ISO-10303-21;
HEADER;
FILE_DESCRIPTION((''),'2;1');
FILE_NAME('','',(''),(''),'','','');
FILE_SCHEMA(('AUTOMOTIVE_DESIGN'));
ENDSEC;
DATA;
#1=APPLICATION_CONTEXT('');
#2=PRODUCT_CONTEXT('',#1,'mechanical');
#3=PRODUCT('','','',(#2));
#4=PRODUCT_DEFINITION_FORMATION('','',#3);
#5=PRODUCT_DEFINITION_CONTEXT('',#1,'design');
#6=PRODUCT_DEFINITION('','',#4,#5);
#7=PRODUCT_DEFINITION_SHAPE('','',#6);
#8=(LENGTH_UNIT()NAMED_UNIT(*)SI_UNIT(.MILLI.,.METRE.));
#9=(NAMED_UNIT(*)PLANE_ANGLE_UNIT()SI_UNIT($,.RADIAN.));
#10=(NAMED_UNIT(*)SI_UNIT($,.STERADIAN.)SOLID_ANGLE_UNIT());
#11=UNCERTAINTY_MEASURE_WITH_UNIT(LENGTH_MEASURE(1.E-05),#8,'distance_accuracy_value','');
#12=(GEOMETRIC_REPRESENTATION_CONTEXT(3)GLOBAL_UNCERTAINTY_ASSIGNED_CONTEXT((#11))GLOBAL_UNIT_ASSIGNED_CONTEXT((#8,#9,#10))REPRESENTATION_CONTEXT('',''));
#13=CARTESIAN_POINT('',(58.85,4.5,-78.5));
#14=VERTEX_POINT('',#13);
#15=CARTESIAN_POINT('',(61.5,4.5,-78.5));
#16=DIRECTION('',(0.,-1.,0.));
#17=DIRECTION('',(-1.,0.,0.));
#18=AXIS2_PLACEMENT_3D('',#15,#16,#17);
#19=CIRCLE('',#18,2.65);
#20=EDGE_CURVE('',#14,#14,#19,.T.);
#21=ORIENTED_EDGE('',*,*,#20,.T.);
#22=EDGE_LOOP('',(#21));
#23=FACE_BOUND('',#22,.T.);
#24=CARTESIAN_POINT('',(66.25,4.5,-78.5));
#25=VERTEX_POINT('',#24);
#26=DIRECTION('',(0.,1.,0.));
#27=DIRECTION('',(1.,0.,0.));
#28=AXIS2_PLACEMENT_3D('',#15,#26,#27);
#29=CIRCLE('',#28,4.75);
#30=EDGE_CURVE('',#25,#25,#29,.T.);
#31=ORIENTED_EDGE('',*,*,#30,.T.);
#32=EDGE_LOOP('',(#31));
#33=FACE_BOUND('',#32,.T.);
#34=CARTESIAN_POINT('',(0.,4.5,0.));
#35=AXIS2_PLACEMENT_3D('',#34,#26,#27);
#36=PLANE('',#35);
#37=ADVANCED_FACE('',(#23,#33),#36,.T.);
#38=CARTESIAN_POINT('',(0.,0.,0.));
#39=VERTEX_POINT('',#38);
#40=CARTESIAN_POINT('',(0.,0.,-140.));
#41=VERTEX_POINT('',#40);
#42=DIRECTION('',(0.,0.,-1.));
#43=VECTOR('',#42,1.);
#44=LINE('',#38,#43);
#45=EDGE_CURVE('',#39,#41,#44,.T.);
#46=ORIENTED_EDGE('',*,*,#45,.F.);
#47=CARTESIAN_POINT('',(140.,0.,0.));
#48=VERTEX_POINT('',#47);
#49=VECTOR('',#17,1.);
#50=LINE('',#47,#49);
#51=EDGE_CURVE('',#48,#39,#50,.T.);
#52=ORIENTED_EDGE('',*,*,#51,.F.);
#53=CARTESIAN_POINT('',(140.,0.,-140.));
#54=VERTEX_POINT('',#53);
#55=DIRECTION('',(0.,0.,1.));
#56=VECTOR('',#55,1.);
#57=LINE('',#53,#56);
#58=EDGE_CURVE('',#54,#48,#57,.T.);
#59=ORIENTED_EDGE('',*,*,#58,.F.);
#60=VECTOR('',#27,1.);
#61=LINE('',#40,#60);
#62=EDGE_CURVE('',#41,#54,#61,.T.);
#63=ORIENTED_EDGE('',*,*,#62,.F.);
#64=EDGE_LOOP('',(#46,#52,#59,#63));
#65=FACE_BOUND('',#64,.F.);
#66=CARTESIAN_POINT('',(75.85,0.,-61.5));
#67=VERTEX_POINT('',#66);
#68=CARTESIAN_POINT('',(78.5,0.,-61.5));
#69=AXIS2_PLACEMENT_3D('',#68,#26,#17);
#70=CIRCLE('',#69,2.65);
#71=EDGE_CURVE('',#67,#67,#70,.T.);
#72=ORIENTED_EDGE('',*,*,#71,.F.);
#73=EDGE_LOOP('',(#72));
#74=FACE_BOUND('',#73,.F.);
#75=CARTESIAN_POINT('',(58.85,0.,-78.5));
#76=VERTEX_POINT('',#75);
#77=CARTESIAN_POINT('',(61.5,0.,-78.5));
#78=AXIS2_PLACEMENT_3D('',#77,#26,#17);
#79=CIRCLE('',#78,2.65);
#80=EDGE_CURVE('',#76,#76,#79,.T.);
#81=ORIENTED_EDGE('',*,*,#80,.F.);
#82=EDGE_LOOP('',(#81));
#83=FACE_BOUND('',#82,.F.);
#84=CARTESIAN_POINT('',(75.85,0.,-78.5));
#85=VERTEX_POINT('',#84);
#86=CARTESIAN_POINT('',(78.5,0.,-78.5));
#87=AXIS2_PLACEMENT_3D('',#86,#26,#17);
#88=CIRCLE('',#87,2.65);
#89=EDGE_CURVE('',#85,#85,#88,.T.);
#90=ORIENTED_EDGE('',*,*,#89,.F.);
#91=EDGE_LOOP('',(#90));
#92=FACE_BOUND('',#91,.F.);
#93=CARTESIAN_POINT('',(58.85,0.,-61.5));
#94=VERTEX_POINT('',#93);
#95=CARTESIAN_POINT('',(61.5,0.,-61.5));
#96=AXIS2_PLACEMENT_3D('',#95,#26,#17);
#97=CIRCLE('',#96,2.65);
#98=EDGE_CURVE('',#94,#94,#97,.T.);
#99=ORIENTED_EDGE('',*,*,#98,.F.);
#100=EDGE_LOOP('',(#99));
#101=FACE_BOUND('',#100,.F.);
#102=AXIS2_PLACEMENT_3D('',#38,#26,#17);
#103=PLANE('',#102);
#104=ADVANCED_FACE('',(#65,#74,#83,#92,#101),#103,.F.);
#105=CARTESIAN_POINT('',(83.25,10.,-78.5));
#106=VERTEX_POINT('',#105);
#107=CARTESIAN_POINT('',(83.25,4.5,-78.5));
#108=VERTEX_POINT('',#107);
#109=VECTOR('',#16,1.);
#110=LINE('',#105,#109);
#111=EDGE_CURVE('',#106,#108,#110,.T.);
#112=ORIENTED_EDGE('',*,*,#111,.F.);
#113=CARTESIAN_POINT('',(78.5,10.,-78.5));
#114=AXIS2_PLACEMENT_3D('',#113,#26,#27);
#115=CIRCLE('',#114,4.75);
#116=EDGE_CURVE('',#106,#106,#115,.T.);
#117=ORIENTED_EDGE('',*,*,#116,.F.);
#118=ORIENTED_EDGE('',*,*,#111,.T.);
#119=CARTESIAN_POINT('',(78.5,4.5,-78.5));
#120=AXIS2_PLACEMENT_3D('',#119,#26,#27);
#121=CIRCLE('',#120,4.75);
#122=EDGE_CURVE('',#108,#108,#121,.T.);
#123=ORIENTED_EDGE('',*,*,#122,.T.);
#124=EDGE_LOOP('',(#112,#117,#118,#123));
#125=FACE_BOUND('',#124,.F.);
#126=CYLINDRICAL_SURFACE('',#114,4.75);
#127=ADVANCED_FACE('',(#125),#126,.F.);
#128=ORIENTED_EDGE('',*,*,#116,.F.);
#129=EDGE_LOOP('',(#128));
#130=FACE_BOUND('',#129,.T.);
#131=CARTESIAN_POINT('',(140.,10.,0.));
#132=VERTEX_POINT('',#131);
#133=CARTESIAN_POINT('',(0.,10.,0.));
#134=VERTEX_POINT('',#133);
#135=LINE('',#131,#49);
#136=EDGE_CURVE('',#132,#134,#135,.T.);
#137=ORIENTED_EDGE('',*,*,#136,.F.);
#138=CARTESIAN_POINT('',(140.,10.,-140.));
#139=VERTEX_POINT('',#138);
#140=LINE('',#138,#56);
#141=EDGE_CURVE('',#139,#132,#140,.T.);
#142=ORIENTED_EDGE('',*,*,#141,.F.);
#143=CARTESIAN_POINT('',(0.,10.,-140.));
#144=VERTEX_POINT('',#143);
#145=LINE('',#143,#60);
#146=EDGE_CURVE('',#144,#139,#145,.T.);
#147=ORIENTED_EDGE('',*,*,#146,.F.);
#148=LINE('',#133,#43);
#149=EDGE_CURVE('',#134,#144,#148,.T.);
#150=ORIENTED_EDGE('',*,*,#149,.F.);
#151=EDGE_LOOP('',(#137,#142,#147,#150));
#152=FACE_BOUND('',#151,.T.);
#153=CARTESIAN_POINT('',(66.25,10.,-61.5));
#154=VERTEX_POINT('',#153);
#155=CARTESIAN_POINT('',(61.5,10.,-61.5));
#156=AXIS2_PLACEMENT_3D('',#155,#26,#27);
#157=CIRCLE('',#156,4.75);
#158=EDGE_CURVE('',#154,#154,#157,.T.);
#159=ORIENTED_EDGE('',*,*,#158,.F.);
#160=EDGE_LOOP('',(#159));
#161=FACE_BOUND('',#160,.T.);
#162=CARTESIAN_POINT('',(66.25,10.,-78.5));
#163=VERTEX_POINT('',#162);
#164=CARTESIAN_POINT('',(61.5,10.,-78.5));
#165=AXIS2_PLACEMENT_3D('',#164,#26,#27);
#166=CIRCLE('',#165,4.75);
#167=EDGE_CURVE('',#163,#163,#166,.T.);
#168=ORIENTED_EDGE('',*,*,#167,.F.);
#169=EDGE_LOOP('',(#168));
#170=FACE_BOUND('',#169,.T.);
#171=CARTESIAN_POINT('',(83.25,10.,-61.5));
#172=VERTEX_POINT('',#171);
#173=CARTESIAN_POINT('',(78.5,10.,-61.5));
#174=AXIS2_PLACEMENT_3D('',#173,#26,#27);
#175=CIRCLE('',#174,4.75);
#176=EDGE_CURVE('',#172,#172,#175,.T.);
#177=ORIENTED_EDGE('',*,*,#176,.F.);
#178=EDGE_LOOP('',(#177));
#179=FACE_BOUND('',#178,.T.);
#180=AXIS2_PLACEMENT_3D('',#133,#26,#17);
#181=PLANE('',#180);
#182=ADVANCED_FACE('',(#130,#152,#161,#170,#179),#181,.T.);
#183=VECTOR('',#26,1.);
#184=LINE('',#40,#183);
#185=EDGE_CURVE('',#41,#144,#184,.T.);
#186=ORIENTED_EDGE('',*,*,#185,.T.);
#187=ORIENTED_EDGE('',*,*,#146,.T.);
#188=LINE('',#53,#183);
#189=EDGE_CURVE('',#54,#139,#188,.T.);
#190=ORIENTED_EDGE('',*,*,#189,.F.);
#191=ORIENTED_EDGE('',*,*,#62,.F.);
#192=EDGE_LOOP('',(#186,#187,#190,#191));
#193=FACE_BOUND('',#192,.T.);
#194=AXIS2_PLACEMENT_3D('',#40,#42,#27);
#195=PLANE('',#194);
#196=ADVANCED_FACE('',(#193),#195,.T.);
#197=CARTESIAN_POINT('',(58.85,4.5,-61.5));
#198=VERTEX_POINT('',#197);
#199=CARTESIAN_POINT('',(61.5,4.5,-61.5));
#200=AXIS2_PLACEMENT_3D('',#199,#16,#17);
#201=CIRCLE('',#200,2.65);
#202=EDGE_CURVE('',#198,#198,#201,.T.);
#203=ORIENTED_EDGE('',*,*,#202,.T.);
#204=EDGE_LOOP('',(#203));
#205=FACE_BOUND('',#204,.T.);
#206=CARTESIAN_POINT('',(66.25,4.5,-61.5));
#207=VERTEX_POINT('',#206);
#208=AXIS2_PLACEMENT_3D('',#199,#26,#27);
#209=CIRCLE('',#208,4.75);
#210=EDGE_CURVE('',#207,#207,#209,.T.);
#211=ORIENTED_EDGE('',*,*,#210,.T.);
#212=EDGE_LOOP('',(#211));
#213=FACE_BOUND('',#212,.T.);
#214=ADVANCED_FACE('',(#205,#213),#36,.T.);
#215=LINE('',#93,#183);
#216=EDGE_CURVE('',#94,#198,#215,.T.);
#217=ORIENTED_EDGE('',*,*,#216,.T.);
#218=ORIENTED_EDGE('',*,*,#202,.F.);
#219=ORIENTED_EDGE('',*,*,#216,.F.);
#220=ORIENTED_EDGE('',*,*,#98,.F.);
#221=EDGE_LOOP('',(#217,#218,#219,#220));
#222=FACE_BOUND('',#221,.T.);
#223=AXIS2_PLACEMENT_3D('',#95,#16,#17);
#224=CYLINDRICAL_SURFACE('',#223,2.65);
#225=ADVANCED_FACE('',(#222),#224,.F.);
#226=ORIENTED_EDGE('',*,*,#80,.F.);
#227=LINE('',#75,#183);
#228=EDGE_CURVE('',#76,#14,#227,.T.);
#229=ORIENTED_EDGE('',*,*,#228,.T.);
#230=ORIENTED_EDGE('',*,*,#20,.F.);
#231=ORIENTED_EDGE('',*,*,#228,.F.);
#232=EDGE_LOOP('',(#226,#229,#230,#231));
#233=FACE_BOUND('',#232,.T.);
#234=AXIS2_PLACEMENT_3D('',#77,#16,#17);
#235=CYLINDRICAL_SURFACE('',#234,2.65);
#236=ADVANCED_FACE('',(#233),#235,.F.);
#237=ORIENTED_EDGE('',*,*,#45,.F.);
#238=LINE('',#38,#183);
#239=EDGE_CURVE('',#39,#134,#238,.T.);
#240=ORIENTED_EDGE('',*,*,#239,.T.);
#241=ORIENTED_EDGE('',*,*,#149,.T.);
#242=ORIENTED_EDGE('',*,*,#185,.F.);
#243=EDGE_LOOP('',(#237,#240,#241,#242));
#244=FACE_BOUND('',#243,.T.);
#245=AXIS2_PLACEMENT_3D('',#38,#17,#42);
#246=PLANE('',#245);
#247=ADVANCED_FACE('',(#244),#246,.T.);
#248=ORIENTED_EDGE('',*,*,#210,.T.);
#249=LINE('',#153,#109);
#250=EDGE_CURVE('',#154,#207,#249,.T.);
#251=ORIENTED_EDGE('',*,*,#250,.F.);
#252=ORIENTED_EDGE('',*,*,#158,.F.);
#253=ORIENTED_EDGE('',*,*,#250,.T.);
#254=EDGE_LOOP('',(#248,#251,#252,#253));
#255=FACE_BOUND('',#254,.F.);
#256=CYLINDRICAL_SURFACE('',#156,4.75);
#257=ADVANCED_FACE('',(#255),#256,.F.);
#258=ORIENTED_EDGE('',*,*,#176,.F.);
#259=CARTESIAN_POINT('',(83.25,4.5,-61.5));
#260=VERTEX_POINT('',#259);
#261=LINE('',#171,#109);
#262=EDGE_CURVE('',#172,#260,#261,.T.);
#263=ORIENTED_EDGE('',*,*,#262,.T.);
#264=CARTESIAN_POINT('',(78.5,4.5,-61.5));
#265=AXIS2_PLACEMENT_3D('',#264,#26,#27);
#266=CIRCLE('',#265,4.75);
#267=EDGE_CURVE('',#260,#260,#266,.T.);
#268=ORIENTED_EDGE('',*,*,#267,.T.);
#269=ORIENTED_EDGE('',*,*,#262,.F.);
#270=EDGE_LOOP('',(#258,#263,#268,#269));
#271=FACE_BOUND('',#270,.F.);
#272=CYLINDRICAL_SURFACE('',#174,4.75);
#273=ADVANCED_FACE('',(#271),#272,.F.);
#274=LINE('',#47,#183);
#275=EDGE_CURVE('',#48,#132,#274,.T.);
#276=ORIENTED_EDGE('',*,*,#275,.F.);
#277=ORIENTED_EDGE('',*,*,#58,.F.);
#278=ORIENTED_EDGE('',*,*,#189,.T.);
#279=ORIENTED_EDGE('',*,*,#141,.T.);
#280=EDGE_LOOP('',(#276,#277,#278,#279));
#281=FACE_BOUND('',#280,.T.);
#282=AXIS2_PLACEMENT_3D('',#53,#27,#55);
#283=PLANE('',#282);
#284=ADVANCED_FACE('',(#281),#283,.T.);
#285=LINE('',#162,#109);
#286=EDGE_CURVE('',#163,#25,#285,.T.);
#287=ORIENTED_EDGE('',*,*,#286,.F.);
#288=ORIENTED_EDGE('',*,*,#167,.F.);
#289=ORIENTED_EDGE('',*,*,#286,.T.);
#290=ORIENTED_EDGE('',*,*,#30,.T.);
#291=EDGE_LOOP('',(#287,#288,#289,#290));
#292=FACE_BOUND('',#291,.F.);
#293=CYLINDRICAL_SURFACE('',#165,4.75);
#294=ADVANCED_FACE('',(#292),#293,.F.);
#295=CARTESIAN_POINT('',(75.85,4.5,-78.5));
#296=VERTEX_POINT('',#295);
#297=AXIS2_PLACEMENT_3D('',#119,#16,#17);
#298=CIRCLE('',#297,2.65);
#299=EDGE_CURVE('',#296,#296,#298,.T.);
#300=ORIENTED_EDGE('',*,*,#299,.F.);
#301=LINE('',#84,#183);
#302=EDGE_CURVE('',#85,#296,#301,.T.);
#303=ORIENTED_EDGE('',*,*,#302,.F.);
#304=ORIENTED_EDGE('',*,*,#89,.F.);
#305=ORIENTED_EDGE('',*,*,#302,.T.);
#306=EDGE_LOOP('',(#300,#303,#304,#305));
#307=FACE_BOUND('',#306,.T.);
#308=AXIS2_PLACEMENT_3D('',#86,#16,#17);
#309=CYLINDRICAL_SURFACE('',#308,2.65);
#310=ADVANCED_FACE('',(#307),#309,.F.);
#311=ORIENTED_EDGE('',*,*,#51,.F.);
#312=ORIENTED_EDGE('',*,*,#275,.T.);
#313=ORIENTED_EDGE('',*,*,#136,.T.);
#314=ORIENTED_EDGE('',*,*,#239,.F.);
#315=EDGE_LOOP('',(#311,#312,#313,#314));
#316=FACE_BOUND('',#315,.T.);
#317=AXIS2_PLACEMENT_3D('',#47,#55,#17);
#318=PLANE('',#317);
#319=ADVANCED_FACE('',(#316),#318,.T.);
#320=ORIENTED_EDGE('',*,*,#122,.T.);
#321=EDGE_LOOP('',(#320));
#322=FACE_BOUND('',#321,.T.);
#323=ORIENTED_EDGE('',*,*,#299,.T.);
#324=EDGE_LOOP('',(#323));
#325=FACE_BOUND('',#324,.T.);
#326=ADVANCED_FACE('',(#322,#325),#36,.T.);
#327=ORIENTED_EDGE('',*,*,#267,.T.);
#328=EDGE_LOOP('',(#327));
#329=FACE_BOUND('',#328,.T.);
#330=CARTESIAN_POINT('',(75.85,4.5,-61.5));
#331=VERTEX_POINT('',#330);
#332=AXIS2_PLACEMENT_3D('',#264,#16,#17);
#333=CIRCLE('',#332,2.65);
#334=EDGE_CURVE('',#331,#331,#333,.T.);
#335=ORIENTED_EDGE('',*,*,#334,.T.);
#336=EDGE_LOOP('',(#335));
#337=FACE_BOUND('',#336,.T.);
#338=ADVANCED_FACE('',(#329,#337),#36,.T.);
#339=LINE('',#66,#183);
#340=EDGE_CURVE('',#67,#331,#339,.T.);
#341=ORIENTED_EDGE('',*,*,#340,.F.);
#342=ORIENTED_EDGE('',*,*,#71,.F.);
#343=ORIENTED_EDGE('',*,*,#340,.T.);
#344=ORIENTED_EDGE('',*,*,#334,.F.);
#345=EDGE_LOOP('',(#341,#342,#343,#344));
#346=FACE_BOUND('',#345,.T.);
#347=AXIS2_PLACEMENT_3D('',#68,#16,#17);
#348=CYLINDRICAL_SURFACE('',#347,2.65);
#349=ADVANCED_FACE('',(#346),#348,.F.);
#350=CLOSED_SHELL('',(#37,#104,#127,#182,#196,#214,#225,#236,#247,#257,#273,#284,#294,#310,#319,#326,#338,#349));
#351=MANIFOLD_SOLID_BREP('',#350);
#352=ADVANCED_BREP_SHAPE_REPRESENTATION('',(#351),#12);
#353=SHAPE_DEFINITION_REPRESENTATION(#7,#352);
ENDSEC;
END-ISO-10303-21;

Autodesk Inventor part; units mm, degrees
ref_plane "YZ Plane" through (0, 0, 0) normal (1, 0, 0) x (0, 1, 0)
ref_plane "XZ Plane" through (0, 0, 0) normal (0, 1, 0) x (-1, 0, 0)
ref_plane "XY Plane" through (0, 0, 0) normal (0, 0, 1) x (1, 0, 0)
sketch "Sketch1" plane through (0, 0, 0) normal (0, 1, 0) x (-1, 0, 0)
  line L0 (0, -140) -> (-140, -140)
  line L1 (-140, -140) -> (-140, 0)
  line L2 (-140, 0) -> (0, 0)
  line L3 (0, 0) -> (0, -140)
  line L4 (-61.5, -78.5) -> (-78.5, -78.5) construction
  line L5 (-78.5, -78.5) -> (-78.5, -61.5) construction
  line L6 (-78.5, -61.5) -> (-61.5, -61.5) construction
  line L7 (-61.5, -61.5) -> (-61.5, -78.5) construction
  circle A0 centre (-61.5, -78.5) radius 2.65
  circle A1 centre (-78.5, -78.5) radius 2.65
  circle A2 centre (-78.5, -61.5) radius 2.65
  circle A3 centre (-61.5, -61.5) radius 2.65
  point P0 (-78.5, -70)
  point P1 (-140, -70)
  point P2 (-70, -78.5)
  point P3 (-70, -140)
  dimension "d0" = 140
  dimension "d1" = 17
  dimension "d2" = 5.3
extrude "Extrusion1" add sketch "Sketch1" along normal blind 10
sketch "Sketch2" plane through (0, 10, 0) normal (0, 1, 0) x (1, 0, 0)
  line L0 (0, 0) -> (140, 0) projected
  line L1 (140, 0) -> (140, 140) projected
  line L2 (140, 140) -> (0, 140) projected
  line L3 (0, 140) -> (0, 0) projected
  circle A0 centre (61.5, 61.5) radius 2.65 projected
  circle A1 centre (78.5, 61.5) radius 2.65 projected
  circle A2 centre (78.5, 78.5) radius 2.65 projected
  circle A3 centre (61.5, 78.5) radius 2.65 projected
  circle A4 centre (61.5, 78.5) radius 4.75
  circle A5 centre (78.5, 78.5) radius 4.75
  circle A6 centre (78.5, 61.5) radius 4.75
  circle A7 centre (61.5, 61.5) radius 4.75
  dimension "d5" = 9.5
extrude "Extrusion2" cut sketch "Sketch2" against normal blind 5.5 contours A0 | A1 | A2 | A3 | A4 | A5 | A6 | A7
properties part number "SAL-33 to Saddle Powerbox Adapter-CNC-Anchor-Jig_3DPrint"
